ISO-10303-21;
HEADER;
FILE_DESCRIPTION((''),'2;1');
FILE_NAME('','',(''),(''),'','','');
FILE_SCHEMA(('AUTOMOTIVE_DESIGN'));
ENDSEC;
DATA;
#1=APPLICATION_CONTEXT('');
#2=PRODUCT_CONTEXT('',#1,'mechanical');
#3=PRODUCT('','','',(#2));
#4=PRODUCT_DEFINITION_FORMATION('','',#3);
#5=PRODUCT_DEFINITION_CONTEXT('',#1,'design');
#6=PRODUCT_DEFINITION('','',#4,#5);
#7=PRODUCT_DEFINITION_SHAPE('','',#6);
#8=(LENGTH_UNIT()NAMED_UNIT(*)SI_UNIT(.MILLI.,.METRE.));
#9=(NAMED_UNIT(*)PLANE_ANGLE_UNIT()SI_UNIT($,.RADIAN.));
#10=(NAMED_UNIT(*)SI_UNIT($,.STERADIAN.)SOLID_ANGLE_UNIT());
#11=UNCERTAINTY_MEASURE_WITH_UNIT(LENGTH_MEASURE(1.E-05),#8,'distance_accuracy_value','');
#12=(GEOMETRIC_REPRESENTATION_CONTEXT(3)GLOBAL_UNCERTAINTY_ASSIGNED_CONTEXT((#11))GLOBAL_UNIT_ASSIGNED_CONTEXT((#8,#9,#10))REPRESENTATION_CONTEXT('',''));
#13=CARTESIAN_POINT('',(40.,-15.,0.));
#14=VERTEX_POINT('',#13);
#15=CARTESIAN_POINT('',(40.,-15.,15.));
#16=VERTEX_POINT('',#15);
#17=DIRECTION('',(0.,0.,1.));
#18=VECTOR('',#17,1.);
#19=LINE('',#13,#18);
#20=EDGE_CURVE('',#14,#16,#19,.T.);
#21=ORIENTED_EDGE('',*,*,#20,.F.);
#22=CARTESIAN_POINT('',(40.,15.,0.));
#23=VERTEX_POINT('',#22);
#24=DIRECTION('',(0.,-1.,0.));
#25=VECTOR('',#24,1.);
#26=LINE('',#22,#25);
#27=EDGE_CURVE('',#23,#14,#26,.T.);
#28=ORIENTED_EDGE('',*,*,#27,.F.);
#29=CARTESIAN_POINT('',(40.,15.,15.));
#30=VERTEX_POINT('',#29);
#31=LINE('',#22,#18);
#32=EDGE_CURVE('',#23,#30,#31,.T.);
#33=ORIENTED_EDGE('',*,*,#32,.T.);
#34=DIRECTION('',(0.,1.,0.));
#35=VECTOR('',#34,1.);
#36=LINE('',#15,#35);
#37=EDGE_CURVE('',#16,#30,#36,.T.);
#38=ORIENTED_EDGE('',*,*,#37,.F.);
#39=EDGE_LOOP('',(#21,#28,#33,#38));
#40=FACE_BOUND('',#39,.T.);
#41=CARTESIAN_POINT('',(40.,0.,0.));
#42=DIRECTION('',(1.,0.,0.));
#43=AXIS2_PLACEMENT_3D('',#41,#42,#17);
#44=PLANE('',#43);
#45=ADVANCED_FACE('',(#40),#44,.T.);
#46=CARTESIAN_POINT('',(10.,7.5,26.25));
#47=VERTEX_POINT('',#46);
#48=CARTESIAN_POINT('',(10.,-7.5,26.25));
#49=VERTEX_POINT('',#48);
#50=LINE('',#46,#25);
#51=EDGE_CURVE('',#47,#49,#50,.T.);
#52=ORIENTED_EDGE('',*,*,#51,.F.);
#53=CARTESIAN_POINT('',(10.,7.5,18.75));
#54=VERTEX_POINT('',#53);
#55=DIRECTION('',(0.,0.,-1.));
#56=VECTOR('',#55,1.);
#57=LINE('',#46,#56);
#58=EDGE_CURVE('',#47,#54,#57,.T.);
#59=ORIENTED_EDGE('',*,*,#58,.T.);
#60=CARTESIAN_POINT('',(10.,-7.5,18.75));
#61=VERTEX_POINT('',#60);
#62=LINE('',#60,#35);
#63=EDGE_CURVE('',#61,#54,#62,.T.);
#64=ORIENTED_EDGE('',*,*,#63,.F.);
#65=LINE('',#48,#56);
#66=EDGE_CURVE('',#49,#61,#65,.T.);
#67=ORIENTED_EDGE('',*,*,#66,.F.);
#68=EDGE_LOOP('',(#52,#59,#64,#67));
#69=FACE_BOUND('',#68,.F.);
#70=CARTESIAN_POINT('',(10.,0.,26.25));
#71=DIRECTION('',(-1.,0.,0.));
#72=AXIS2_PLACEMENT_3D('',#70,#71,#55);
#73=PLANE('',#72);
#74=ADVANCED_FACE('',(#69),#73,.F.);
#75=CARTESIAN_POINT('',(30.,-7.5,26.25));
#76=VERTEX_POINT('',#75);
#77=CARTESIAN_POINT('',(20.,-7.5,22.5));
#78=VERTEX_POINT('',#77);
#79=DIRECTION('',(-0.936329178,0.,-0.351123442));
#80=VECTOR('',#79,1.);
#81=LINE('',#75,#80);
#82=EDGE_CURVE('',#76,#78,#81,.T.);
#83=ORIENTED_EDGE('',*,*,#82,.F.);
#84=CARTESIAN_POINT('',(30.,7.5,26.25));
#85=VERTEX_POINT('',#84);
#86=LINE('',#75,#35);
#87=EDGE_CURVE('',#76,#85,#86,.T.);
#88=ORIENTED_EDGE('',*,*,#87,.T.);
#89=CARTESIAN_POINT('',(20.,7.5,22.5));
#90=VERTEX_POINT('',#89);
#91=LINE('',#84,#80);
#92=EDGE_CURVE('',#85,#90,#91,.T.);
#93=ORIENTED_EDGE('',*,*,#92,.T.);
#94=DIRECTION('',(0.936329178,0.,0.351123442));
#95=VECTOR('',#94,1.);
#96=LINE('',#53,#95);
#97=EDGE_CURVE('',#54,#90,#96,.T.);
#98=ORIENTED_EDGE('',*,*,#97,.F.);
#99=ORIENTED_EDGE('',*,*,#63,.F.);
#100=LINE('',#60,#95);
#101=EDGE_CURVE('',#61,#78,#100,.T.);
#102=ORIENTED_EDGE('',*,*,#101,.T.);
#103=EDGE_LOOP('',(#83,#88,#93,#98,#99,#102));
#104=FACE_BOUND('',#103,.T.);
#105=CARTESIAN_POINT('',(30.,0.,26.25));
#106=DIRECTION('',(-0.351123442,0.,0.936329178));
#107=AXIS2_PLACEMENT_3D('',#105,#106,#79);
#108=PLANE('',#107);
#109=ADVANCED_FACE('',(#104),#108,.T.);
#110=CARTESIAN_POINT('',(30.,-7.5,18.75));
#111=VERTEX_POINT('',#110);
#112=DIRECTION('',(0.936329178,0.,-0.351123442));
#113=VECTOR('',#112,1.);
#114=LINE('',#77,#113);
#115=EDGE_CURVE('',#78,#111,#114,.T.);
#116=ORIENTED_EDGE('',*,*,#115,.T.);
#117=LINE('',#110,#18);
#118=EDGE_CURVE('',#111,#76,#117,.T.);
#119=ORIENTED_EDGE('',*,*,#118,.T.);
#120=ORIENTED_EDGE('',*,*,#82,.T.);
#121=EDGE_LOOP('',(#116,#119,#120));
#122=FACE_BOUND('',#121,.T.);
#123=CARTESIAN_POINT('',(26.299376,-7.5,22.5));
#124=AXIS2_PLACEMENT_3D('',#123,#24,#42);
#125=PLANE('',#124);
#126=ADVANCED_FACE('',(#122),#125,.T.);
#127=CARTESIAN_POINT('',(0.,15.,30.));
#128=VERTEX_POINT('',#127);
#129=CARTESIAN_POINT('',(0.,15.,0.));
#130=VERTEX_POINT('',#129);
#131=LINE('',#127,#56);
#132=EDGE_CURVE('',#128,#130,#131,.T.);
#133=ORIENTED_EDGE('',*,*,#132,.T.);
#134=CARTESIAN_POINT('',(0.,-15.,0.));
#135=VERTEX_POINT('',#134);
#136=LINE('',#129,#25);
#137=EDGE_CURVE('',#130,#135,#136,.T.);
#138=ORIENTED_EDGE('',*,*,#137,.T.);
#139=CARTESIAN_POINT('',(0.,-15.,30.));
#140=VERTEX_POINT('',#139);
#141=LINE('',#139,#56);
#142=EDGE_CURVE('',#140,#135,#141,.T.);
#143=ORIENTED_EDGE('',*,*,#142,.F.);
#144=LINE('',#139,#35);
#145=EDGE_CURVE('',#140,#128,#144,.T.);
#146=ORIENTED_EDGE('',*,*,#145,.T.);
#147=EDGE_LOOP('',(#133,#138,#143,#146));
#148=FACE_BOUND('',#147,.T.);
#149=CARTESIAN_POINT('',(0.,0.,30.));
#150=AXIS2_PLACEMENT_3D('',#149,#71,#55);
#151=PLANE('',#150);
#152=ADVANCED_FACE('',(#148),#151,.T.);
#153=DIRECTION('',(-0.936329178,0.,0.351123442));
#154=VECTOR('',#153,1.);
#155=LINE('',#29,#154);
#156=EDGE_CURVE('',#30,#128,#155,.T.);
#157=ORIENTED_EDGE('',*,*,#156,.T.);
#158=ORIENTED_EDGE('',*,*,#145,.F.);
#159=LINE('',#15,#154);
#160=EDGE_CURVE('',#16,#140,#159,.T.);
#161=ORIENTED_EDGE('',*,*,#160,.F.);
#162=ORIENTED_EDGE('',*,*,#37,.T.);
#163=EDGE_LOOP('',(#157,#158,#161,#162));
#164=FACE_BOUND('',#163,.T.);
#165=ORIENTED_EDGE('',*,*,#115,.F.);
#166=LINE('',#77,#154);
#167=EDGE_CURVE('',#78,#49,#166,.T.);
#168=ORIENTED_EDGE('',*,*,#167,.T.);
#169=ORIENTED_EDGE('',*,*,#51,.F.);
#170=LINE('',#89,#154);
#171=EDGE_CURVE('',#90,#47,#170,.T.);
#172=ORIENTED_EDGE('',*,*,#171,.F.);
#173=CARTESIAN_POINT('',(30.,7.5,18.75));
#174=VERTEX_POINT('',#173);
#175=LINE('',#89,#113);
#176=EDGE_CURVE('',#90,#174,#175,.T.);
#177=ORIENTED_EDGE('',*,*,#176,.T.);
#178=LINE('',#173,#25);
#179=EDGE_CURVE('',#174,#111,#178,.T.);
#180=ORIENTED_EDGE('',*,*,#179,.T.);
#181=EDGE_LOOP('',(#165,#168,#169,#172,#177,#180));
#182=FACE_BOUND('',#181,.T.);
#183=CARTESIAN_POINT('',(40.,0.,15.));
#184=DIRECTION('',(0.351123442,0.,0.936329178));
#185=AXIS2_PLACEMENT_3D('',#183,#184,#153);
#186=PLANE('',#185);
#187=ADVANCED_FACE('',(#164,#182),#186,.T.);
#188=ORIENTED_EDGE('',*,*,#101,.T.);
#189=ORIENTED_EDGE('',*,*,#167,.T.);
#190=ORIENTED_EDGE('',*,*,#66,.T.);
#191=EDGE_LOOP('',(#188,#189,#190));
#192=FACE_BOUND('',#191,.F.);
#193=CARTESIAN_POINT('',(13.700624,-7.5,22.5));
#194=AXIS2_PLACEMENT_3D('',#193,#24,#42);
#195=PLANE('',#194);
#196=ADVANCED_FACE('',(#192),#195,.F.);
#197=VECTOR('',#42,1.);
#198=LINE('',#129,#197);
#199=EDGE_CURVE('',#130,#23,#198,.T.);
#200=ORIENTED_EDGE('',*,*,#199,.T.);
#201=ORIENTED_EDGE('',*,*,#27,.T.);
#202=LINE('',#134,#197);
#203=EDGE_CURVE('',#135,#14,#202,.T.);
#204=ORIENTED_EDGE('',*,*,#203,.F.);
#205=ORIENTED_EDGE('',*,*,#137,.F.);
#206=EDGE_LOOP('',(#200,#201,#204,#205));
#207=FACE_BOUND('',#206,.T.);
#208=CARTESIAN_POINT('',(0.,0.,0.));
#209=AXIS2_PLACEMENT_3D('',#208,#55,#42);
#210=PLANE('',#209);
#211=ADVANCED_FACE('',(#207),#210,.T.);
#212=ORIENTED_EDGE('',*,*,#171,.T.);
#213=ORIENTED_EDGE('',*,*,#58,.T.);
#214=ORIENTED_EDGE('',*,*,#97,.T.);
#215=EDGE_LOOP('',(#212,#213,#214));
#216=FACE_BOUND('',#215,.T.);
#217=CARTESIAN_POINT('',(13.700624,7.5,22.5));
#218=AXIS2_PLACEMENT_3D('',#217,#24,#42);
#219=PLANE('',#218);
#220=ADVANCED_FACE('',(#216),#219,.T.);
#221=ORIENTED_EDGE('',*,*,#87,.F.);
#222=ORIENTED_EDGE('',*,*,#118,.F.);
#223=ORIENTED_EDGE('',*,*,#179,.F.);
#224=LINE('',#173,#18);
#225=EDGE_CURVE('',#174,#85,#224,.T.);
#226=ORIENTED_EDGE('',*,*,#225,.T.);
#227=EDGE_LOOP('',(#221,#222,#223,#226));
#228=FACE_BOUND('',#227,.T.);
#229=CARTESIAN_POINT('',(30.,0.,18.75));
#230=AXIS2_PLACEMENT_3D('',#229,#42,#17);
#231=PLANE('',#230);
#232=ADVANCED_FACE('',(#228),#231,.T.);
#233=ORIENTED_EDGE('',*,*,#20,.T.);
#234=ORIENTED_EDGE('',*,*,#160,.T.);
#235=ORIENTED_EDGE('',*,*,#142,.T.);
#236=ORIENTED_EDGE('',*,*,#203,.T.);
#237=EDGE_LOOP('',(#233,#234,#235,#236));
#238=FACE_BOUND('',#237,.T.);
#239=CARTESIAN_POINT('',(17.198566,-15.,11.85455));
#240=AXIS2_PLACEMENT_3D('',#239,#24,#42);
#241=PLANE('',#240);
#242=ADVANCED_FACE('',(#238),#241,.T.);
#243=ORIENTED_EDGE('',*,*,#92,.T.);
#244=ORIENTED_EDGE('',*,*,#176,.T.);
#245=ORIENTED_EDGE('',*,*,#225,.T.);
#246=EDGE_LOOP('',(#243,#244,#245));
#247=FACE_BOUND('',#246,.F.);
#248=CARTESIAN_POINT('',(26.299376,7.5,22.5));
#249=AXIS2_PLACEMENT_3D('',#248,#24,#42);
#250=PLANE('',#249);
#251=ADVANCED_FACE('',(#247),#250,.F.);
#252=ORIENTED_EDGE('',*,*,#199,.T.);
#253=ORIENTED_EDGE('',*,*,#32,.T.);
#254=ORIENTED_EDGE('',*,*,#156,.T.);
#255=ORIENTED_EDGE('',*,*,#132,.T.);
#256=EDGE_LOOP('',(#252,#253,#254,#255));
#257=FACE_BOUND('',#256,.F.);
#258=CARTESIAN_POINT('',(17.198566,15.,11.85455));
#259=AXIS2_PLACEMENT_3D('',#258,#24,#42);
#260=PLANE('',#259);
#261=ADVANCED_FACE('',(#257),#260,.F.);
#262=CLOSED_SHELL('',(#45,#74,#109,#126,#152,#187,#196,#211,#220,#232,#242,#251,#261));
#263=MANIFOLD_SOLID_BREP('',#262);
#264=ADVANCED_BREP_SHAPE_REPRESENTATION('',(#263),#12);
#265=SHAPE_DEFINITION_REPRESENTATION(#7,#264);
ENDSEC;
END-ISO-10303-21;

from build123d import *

# Parameters (mm, degrees)
F1_DEPTH = 15
F2_DEPTH = 7.5
F3_DEPTH = 7.5


with BuildPart() as f1:
    # F0 (on Front) → F1 (new body, symmetric)
    with BuildSketch(Plane.XZ):
        Polygon((0, 30), (0, 0), (40, 0), (40, 15), (30, 18.75), (10, 18.75), (10, 26.25), align=None)
        Polygon((10, 18.75), (30, 18.75), (20, 22.5), align=None)
        Polygon((20, 22.5), (10, 26.25), (10, 18.75), align=None)
    extrude(amount=F1_DEPTH, both=True)

    # F0 (on Front) → F2 (cut, symmetric)
    with BuildSketch(Plane.XZ):
        Polygon((20, 22.5), (10, 26.25), (10, 18.75), align=None)
    extrude(amount=F2_DEPTH, both=True, mode=Mode.SUBTRACT)

    # F0 (on Front) → F3 (join, symmetric)
    with BuildSketch(Plane.XZ):
        Polygon((20, 22.5), (30, 18.75), (30, 26.25), align=None)
    extrude(amount=F3_DEPTH, both=True)


solid = f1.part
